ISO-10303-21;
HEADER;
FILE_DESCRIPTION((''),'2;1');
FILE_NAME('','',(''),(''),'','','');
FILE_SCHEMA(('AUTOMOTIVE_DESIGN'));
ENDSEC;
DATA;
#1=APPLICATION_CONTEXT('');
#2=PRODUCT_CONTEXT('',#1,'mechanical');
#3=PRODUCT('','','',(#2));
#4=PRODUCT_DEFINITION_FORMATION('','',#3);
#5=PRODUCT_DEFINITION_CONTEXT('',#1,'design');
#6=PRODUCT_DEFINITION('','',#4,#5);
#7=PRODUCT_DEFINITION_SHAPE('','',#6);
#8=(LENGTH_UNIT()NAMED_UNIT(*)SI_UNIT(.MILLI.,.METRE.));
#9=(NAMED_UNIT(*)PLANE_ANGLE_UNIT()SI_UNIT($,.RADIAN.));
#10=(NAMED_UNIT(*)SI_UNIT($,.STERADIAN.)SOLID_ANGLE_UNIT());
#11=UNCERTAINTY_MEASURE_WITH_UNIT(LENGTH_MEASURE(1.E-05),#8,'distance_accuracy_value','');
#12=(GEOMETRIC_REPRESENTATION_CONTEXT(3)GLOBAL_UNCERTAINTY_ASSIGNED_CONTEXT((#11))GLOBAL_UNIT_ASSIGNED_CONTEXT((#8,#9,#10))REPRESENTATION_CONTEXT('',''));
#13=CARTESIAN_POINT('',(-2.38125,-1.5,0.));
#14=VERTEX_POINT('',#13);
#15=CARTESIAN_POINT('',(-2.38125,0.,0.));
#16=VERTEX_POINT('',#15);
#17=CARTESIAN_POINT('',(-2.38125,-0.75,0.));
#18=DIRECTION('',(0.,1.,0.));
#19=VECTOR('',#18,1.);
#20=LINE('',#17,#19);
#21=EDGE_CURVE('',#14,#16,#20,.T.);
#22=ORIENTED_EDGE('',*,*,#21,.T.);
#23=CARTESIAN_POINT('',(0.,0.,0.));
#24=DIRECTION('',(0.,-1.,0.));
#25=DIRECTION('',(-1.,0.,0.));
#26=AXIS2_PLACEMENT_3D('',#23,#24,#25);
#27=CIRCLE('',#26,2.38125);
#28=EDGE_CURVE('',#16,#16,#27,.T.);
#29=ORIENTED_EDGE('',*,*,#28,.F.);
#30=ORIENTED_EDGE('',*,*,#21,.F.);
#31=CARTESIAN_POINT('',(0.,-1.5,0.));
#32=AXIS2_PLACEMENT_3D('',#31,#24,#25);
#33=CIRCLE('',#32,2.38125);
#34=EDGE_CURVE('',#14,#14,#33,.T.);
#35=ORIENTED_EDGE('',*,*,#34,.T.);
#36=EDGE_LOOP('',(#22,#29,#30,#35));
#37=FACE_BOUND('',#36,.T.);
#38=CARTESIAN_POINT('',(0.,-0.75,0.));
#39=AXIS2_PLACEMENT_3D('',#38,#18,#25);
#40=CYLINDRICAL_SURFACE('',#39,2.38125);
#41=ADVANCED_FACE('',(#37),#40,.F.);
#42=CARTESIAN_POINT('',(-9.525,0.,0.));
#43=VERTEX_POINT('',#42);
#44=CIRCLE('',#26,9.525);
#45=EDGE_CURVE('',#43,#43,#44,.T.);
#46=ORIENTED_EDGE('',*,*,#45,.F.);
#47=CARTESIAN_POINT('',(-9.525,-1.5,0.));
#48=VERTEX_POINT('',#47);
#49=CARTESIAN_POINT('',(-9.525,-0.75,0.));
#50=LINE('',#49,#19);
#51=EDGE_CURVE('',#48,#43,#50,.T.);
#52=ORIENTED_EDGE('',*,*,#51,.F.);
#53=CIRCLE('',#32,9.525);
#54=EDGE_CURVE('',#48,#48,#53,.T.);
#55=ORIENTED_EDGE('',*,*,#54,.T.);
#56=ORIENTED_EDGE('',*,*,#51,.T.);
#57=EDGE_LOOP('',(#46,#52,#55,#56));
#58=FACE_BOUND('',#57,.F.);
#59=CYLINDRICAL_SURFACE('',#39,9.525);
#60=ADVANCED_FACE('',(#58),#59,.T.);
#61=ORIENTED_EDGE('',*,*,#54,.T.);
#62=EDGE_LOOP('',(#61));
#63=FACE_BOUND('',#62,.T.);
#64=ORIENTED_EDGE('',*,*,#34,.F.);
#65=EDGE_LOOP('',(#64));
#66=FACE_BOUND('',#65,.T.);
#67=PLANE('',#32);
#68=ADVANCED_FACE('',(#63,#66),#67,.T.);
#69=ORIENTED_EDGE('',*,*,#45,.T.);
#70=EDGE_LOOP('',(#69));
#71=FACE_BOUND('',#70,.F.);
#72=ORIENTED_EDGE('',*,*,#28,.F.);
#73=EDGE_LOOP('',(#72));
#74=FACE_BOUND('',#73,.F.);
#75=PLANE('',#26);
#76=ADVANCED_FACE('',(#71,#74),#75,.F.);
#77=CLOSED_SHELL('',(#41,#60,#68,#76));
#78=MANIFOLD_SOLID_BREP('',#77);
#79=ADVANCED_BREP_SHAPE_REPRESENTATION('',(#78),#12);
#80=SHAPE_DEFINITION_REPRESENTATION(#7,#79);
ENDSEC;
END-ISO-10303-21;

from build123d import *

# Parameters (mm, degrees)
SKETCH1_W = 7.14375
SKETCH1_H = 1.5


with BuildPart() as part:
    # Sketch1 → Revolve1 (revolve)
    with BuildSketch(Plane.XY):
        with Locations((-5.953125, -0.75)):
            Rectangle(SKETCH1_W, SKETCH1_H)
    revolve(axis=Axis((0, 299.544827586, 0), (0, -1, 0)))


solid = part.part
